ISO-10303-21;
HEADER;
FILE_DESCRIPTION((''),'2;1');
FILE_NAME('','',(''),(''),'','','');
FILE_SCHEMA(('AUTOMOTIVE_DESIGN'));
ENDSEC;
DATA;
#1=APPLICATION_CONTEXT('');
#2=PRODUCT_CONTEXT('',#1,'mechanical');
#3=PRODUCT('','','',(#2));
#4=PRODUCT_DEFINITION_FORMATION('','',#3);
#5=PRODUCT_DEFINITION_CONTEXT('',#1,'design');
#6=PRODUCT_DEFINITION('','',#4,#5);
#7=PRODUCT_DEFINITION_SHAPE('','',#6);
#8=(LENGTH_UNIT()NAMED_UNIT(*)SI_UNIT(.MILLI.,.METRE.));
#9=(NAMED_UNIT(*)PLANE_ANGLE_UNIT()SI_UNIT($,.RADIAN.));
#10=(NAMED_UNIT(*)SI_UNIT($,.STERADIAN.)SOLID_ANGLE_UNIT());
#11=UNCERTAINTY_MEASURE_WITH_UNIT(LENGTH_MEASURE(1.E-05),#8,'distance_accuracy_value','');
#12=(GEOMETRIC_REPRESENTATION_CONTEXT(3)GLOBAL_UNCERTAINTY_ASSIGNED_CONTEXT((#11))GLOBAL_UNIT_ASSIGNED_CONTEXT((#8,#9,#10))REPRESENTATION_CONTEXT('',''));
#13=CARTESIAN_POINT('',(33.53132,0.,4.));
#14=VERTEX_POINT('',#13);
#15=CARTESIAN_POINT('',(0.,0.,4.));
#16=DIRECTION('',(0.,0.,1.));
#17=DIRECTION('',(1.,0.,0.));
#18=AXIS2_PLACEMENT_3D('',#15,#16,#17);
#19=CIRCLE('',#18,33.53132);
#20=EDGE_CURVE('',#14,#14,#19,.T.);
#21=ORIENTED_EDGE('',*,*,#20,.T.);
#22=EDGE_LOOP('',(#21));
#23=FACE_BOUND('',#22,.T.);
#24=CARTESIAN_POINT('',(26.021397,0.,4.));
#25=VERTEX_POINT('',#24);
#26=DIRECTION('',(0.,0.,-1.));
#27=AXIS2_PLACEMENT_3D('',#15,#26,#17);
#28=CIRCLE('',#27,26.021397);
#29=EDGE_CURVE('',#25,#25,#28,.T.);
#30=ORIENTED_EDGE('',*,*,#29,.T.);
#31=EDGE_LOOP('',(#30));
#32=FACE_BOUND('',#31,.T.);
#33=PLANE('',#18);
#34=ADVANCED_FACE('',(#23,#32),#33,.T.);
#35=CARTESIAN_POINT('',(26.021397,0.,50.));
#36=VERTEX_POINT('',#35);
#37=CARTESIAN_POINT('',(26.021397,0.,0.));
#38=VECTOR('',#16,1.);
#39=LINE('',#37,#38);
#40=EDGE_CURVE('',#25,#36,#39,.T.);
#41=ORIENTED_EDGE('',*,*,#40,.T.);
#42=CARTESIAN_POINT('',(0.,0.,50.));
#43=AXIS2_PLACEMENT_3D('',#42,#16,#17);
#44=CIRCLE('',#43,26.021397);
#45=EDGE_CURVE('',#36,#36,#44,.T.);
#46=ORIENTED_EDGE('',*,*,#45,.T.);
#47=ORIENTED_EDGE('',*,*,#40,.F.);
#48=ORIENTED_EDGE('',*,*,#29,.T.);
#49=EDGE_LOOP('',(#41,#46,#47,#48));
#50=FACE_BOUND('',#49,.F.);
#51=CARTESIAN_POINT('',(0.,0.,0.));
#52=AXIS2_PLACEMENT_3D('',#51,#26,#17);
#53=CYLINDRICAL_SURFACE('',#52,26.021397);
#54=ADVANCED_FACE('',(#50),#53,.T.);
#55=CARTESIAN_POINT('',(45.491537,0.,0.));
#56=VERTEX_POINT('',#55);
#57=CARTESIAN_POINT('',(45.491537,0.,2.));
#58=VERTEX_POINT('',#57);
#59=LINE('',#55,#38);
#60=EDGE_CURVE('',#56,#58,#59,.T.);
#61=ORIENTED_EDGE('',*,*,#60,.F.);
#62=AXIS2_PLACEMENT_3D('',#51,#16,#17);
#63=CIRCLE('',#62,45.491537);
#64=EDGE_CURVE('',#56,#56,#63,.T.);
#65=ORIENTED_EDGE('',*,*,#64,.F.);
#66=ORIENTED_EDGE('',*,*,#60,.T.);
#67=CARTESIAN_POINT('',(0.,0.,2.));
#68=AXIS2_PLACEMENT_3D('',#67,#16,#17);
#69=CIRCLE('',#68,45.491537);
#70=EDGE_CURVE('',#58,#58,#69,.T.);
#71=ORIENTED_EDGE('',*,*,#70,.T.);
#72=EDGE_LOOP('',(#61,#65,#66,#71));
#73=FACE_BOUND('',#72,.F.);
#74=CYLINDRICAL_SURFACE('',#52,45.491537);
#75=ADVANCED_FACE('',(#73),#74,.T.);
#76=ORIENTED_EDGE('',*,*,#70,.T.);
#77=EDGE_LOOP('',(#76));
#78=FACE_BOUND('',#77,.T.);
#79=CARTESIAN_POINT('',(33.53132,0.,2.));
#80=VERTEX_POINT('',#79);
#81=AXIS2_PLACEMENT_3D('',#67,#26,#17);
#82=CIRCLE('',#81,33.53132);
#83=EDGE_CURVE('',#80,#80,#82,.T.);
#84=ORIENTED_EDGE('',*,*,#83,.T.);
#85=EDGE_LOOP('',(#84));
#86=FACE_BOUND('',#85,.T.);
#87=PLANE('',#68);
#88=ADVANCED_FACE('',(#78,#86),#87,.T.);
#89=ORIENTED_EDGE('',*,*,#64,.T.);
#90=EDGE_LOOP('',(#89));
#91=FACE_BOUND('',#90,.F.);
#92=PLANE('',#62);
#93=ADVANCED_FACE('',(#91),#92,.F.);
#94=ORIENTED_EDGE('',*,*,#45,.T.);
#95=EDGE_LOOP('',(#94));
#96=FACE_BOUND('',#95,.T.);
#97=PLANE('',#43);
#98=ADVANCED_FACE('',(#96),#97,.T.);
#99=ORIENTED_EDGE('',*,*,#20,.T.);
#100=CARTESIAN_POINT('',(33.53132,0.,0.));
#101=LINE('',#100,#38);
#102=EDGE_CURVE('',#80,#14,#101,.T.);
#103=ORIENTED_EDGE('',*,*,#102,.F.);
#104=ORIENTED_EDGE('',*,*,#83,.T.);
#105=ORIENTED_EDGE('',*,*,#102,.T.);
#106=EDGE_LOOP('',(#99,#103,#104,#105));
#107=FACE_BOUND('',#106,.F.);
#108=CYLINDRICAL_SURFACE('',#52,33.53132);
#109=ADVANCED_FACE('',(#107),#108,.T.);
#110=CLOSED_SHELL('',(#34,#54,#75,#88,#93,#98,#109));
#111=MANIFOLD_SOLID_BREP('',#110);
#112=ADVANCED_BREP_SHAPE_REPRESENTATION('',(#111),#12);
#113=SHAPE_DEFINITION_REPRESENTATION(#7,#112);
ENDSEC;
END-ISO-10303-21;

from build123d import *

# Parameters (mm, degrees)
F0_R     = 45.491537
F3_DEPTH = 2
F1_R     = 33.53132
F4_DEPTH = 4
F2_R     = 26.021397
F5_DEPTH = 50


with BuildPart() as f3:
    # F0 (on Top) → F3 (new body)
    with BuildSketch(Plane.XY):
        Circle(F0_R)
    extrude(amount=F3_DEPTH)

    # F1 (on Top) → F4 (join)
    with BuildSketch(Plane.XY):
        Circle(F1_R)
    extrude(amount=F4_DEPTH)

    # F2 (on Top) → F5 (join)
    with BuildSketch(Plane.XY):
        Circle(F2_R)
    extrude(amount=F5_DEPTH)


solid = f3.part
